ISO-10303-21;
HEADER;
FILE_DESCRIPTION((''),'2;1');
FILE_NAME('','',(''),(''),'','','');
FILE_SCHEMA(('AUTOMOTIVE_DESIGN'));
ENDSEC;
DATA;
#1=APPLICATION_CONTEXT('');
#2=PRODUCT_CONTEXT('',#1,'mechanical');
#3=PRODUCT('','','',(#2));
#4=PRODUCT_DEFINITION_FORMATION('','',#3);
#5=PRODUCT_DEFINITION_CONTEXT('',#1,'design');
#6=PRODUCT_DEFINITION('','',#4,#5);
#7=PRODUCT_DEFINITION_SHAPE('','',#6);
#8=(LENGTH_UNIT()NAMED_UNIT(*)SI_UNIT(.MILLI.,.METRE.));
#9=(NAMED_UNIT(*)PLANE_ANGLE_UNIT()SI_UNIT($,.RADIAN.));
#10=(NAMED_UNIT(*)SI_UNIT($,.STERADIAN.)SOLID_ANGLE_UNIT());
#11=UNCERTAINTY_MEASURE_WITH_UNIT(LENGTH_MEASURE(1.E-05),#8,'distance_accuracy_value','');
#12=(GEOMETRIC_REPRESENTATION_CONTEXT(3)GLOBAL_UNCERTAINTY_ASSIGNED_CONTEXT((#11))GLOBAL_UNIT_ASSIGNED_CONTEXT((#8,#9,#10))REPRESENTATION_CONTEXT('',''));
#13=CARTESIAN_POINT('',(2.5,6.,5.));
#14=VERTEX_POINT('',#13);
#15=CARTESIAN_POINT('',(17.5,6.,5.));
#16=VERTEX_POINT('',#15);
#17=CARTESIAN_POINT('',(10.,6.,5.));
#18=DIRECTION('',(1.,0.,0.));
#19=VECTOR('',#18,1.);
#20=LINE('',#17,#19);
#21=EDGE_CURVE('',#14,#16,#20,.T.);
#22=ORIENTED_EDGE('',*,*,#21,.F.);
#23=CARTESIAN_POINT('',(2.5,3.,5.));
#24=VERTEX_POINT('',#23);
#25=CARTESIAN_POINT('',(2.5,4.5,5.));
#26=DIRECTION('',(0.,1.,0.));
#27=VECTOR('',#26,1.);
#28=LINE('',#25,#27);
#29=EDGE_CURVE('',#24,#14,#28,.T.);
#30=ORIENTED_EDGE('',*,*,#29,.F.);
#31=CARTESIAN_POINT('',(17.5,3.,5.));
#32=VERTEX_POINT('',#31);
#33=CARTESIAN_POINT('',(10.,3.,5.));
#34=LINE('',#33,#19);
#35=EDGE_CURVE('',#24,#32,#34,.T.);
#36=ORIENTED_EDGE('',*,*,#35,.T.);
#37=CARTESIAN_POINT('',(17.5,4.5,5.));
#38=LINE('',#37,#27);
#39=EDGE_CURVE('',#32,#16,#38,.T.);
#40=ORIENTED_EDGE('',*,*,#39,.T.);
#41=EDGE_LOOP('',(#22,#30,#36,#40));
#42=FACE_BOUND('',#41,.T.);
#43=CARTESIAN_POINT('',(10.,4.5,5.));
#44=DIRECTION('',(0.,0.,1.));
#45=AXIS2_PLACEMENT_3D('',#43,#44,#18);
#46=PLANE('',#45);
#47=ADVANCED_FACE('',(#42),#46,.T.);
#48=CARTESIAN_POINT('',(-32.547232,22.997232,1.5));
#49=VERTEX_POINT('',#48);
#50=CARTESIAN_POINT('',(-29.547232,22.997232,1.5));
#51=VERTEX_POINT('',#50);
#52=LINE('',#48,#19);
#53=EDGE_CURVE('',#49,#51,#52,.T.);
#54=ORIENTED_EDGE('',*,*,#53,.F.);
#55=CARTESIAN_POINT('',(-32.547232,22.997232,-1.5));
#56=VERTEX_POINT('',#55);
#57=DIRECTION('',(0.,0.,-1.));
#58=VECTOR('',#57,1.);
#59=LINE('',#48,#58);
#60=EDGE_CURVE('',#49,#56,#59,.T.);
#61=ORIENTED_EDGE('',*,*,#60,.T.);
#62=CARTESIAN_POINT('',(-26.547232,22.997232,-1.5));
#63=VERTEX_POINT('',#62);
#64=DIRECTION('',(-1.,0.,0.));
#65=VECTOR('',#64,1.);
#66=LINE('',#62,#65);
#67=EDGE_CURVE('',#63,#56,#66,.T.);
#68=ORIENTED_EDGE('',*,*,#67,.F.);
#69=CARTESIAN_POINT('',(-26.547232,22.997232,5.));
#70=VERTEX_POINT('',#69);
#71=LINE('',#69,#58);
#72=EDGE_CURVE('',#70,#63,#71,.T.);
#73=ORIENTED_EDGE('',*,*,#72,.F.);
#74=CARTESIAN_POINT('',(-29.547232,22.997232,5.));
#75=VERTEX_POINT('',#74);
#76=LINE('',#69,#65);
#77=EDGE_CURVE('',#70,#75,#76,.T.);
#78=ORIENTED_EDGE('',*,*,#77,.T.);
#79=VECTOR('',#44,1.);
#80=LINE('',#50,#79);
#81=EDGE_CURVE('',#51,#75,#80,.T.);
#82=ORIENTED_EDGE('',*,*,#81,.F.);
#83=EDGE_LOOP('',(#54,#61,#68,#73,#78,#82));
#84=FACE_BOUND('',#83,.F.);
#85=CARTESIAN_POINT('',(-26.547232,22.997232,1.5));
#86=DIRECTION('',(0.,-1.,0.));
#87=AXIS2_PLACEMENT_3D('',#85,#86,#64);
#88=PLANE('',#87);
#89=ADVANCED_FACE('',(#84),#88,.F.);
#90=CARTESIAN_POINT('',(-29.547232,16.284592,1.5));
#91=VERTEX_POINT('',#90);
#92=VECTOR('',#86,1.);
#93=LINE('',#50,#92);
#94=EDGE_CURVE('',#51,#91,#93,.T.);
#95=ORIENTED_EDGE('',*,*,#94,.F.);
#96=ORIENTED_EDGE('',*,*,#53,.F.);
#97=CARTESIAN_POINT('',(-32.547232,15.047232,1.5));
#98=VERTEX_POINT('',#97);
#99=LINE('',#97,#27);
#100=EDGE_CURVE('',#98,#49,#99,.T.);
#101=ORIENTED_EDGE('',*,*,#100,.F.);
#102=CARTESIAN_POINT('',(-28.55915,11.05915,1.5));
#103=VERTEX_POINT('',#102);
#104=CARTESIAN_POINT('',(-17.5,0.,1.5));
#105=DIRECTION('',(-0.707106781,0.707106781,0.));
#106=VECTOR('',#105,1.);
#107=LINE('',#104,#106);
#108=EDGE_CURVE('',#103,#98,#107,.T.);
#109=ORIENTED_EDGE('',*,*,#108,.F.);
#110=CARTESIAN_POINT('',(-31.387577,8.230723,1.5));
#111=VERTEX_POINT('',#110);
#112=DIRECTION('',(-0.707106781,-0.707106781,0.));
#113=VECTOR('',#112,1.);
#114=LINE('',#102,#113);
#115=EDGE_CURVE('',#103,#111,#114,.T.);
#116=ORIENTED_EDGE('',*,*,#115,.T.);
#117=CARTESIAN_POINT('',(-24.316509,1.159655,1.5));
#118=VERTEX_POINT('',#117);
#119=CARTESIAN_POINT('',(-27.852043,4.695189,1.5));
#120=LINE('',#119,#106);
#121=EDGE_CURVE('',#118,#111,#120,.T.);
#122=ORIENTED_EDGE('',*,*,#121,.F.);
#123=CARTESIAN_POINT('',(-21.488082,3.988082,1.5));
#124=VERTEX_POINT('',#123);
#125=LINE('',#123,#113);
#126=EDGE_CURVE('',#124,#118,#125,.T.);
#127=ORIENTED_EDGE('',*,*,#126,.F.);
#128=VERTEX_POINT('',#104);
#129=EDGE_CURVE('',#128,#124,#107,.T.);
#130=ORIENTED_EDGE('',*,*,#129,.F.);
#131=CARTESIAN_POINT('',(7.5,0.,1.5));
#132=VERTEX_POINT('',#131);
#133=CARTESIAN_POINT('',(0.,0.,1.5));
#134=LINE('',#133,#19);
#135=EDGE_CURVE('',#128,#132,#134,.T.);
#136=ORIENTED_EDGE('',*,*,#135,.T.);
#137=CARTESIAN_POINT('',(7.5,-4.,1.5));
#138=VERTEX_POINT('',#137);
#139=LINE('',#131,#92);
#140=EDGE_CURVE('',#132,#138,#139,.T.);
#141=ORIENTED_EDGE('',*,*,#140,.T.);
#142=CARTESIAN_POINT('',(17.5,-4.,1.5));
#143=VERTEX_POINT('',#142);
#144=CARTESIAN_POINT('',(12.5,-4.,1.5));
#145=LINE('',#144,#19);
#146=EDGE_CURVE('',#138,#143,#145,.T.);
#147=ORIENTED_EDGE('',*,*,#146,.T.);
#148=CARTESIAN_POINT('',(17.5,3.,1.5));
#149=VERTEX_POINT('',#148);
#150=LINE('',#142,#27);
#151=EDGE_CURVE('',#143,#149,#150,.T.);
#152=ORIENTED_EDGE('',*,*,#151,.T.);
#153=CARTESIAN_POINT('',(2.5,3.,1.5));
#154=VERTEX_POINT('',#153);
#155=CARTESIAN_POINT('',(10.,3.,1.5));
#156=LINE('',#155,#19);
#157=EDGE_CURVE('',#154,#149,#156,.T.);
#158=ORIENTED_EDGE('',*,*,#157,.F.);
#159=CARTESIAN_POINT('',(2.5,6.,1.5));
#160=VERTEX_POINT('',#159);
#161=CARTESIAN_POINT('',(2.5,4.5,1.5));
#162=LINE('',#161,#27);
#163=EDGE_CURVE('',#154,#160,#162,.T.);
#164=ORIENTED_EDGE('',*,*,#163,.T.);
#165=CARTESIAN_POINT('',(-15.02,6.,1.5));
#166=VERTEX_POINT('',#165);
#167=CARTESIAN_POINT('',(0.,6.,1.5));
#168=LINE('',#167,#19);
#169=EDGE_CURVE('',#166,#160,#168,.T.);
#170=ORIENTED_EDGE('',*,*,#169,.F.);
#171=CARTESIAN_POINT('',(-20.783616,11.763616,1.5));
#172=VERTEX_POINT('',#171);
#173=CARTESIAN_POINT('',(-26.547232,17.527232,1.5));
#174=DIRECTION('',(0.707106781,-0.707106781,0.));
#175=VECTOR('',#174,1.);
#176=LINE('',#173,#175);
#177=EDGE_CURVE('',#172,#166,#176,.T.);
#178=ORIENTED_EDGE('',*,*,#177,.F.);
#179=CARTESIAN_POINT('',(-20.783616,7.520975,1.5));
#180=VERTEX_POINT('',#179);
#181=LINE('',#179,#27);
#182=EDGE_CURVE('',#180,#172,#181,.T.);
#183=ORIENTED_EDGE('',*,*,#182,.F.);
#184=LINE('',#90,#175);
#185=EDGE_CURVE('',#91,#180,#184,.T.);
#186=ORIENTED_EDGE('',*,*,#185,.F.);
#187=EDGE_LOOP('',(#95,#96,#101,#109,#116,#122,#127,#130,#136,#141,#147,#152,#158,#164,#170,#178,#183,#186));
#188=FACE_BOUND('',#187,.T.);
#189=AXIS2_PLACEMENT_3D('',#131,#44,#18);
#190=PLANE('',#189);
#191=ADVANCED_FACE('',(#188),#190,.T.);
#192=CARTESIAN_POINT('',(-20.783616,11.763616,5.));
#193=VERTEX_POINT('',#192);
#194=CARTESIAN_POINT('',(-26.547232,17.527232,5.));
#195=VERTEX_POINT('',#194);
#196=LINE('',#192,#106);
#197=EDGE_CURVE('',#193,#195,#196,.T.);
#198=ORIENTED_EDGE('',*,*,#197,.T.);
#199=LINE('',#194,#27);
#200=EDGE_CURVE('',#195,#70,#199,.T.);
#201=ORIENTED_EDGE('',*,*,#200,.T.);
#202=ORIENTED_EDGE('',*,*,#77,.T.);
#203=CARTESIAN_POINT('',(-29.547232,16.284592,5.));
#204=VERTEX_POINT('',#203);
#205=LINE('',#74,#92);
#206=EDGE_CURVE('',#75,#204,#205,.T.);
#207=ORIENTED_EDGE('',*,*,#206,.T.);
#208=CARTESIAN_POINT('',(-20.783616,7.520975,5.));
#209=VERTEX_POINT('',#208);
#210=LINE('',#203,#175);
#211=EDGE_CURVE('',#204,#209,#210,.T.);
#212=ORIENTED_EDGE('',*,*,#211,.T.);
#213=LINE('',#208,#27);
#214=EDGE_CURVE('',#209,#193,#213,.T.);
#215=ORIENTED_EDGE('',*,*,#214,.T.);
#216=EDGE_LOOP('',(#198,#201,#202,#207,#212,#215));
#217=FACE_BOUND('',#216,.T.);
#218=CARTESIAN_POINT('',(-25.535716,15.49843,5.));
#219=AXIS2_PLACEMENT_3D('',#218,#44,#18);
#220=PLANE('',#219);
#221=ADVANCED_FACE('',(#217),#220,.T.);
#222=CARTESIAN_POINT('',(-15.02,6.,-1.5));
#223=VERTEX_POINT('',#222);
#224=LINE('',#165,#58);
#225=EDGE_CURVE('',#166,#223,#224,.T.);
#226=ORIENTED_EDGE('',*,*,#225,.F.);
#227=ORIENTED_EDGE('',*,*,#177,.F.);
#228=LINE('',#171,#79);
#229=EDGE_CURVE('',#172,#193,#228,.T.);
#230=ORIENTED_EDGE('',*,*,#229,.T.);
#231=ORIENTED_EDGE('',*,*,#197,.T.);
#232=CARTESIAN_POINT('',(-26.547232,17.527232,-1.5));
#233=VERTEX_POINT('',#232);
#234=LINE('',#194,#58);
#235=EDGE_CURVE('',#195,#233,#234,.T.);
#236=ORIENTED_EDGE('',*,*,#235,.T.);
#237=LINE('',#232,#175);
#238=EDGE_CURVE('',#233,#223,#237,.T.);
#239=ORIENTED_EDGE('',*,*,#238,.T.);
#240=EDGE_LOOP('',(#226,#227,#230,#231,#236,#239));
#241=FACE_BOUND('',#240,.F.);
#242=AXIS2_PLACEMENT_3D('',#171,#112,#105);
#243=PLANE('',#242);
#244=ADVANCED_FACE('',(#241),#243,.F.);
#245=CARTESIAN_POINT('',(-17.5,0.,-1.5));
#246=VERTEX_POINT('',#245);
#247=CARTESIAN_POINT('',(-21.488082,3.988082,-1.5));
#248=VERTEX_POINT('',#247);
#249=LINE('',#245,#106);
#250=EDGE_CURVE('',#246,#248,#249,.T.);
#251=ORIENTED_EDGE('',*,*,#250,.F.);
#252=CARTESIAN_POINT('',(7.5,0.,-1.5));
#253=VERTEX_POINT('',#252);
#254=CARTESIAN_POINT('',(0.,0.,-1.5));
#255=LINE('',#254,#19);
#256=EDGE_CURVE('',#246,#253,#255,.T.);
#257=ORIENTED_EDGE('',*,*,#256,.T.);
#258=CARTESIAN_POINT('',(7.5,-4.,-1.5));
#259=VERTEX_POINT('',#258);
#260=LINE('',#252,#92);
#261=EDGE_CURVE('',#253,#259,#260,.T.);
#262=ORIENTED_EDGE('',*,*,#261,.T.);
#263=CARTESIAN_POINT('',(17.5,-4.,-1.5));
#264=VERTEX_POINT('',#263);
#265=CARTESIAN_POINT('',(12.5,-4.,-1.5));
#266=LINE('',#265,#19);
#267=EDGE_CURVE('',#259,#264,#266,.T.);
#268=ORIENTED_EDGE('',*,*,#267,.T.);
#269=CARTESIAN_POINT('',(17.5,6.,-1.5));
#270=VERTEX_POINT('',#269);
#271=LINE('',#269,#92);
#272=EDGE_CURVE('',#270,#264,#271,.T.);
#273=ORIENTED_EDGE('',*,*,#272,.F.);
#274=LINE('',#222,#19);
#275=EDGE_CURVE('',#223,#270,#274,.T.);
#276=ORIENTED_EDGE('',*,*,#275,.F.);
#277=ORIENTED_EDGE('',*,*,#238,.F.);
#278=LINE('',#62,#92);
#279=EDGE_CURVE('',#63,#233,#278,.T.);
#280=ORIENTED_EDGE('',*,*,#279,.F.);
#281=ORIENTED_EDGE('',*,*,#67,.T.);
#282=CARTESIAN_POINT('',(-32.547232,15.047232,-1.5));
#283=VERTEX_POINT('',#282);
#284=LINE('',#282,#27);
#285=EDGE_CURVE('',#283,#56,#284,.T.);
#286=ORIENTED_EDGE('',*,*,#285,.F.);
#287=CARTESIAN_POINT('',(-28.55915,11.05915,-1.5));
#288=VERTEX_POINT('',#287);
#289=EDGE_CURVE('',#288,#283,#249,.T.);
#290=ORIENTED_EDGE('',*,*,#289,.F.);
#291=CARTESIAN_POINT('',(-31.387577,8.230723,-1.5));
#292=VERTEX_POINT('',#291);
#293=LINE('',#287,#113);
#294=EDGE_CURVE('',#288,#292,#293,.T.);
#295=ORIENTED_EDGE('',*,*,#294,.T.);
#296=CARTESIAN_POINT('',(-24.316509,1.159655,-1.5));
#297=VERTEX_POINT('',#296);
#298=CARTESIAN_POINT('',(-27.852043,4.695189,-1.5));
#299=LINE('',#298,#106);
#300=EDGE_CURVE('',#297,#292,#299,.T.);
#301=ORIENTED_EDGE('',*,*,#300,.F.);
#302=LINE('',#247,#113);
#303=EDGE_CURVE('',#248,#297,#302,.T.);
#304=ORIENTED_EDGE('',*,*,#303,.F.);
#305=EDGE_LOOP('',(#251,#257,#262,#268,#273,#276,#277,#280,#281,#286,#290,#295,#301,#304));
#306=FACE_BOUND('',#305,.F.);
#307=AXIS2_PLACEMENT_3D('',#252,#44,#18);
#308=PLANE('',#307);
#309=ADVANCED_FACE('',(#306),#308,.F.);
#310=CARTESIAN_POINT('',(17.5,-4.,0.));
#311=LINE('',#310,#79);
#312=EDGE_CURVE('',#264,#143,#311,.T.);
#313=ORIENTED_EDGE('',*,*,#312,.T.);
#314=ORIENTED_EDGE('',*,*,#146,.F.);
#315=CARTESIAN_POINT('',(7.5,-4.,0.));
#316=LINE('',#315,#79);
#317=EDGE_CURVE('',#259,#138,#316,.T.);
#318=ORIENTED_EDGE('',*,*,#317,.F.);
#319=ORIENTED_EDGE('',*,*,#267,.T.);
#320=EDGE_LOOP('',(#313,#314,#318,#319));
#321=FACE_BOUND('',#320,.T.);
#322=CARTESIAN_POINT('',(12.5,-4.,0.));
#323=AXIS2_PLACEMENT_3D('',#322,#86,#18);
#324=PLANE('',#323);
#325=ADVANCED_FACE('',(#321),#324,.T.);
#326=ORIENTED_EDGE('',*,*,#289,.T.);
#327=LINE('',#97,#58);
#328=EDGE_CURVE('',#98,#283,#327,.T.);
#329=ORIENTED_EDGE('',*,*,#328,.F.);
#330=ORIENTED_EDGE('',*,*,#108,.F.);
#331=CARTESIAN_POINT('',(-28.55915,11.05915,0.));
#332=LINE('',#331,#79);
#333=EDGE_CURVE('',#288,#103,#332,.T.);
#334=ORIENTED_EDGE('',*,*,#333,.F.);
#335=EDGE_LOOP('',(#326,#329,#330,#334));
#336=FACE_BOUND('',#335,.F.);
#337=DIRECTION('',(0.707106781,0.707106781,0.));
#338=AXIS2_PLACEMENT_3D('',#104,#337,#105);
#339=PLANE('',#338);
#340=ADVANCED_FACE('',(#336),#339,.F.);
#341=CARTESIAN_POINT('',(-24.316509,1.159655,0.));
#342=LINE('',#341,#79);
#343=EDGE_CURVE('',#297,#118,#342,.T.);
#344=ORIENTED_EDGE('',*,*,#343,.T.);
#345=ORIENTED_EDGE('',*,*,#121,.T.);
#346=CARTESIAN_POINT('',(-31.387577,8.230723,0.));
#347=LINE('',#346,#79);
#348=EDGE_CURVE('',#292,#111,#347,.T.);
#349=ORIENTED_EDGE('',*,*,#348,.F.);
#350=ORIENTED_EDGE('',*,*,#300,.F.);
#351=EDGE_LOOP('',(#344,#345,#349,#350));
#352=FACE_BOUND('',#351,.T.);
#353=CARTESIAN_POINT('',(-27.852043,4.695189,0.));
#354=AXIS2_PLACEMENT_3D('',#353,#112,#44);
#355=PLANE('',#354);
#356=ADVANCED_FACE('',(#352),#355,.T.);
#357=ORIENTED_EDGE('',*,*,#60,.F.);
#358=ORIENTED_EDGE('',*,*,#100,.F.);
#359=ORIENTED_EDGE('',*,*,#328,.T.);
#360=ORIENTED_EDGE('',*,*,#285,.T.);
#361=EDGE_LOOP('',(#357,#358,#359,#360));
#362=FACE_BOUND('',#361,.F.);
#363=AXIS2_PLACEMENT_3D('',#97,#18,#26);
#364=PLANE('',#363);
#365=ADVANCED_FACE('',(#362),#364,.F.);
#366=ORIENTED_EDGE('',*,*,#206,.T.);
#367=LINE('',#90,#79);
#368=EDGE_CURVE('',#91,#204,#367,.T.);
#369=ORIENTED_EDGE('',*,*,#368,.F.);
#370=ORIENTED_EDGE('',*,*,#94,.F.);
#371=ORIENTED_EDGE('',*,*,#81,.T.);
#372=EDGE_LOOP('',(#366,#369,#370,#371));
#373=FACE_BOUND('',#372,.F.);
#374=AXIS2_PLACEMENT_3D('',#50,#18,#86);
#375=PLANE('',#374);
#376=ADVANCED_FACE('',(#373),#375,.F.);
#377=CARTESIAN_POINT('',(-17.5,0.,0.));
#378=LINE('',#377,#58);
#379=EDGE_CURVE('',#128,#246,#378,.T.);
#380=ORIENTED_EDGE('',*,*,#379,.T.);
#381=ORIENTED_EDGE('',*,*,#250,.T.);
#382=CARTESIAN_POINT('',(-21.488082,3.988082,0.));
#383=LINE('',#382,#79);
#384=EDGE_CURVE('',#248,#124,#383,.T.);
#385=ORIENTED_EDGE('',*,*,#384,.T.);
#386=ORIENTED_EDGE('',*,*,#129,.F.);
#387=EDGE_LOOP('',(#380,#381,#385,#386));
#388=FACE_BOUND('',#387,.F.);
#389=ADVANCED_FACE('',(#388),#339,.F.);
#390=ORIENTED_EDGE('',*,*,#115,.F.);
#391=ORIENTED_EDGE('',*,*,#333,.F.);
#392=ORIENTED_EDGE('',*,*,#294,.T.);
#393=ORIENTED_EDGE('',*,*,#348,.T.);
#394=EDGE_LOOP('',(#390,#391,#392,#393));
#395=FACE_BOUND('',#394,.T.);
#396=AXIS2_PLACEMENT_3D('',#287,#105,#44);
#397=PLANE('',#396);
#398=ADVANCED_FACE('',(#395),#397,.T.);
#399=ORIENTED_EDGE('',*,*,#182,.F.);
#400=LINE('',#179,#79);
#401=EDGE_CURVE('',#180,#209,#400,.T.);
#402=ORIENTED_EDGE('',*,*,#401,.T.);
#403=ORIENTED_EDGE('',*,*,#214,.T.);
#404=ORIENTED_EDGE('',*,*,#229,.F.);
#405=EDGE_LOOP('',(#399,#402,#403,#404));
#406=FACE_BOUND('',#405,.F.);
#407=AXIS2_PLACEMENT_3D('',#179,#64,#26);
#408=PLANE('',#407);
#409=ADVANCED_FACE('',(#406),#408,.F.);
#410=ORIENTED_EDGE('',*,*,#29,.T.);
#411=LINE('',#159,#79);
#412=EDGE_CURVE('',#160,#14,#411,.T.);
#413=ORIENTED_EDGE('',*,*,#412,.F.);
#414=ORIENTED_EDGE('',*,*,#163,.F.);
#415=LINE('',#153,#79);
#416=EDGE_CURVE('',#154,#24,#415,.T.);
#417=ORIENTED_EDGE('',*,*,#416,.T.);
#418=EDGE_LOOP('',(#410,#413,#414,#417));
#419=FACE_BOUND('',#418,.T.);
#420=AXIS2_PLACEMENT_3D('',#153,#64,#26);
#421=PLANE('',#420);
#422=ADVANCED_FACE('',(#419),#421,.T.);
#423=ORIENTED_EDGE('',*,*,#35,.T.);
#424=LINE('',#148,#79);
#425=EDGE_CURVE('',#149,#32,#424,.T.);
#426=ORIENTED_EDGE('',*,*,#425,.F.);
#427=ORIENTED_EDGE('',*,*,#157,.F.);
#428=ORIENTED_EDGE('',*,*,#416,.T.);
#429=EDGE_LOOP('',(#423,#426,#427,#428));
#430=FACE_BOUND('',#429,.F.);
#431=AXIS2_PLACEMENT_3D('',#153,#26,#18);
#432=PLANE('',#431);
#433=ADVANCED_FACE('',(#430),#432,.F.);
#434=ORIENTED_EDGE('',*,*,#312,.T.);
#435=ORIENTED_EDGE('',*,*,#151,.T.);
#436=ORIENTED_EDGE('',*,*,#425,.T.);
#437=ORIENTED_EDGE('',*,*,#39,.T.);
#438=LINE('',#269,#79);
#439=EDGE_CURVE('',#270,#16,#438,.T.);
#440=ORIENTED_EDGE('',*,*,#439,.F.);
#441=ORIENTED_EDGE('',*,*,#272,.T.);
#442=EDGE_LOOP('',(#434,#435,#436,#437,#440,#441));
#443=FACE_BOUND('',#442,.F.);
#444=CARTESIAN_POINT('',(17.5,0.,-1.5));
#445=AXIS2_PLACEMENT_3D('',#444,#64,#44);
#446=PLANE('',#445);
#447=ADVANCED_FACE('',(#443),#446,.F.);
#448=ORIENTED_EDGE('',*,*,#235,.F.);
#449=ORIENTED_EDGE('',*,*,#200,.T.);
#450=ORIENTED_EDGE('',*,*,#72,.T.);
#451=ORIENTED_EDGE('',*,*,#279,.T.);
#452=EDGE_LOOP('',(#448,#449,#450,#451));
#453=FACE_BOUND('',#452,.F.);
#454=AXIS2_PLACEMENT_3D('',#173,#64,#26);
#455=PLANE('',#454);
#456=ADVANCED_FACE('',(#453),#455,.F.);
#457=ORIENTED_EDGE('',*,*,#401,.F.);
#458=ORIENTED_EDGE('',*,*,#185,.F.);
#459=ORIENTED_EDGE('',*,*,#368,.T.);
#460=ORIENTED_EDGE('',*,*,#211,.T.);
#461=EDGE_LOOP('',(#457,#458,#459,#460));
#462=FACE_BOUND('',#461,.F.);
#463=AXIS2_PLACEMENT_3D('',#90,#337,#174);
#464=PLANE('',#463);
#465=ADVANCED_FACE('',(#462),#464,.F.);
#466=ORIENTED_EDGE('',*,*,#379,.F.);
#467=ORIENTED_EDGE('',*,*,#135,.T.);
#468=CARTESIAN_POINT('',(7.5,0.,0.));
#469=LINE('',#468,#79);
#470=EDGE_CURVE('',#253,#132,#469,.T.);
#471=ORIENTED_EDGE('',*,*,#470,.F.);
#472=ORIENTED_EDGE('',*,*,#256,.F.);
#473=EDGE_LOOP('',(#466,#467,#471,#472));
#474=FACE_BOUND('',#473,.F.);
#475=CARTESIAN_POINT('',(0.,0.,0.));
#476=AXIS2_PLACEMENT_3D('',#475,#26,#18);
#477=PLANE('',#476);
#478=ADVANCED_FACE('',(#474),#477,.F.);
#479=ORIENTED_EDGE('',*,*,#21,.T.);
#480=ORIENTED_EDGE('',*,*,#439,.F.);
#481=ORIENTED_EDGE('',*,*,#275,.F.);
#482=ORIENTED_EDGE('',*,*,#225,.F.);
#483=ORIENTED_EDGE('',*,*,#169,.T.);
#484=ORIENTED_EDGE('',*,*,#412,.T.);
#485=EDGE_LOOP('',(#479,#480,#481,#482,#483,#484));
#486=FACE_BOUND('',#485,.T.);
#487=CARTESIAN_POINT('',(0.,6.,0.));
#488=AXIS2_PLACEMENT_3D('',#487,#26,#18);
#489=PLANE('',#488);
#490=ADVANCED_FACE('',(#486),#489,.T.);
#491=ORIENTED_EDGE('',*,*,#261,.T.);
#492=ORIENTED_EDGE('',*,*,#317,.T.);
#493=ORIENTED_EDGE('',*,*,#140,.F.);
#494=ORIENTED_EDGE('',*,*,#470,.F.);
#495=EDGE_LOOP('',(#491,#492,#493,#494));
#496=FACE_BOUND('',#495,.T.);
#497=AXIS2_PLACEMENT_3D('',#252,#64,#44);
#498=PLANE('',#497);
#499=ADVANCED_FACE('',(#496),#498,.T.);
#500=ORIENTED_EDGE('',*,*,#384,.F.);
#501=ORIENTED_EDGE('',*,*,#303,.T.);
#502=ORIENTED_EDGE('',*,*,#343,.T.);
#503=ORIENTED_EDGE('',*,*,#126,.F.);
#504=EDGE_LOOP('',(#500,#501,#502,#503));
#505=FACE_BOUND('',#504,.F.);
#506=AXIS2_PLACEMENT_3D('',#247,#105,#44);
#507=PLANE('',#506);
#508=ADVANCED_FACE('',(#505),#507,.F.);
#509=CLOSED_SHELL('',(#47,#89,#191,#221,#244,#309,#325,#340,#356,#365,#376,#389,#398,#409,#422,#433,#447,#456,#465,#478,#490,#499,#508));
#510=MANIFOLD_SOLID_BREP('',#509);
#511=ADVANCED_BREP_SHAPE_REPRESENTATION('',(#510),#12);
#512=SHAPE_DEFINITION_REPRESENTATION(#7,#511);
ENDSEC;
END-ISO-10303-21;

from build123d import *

# Parameters (mm, degrees)
SKETCH1_W                = 35
SKETCH1_H                = 3
BOSS_EXTRUDE1_DEPTH      = 6
BOSS_EXTRUDE2_DEPTH      = 3
SKETCH3_W                = 15
SKETCH3_H                = 3
BOSS_EXTRUDE3_DEPTH      = 3.5
BOSS_EXTRUDE3_DEPTH_BACK = 3
SKETCH4_W                = 10
SKETCH4_H                = 3
BOSS_EXTRUDE4_DEPTH      = 4
SKETCH5_W                = 3
SKETCH5_H                = 10
BOSS_EXTRUDE5_DEPTH      = 4


with BuildPart() as part:
    # Sketch1 → Boss-Extrude1 (new body)
    with BuildSketch(Plane(origin=(0, 0, 0), x_dir=(1, 0, 0), z_dir=(0, 1, 0))):
        Rectangle(SKETCH1_W, SKETCH1_H)
    extrude(amount=BOSS_EXTRUDE1_DEPTH)

    # Sketch2 → Boss-Extrude2 (add)
    with BuildSketch(Plane.XY.offset(1.5)):
        Polygon((-17.5, 0), (-32.547232304, 15.047232304), (-32.547232304, 22.997232304), (-26.547232304, 22.997232304), (-26.547232304, 17.527232304), (-15.02, 6), (-17.5, 6), align=None)
    extrude(amount=-BOSS_EXTRUDE2_DEPTH)

    # Sketch3 → Boss-Extrude3 (add, two sides)
    with BuildSketch(Plane.XY.offset(1.5)) as boss_extrude3_sk:
        Polygon((-26.547232304, 22.997232304), (-29.547232304, 22.997232304), (-29.547232304, 16.284591617), (-20.783616152, 7.520975465), (-20.783616152, 11.763616152), (-26.547232304, 17.527232304), align=None)
        with Locations((10, 4.5)):
            Rectangle(SKETCH3_W, SKETCH3_H)
    extrude(amount=BOSS_EXTRUDE3_DEPTH)
    extrude(boss_extrude3_sk.sketch, amount=-BOSS_EXTRUDE3_DEPTH_BACK)

    # Sketch4 → Boss-Extrude4 (add)
    with BuildSketch(Plane.XZ):
        with Locations((12.5, 0)):
            Rectangle(SKETCH4_W, SKETCH4_H)
    extrude(amount=BOSS_EXTRUDE4_DEPTH)

    # Sketch5 → Boss-Extrude5 (add)
    with BuildSketch(Plane(origin=(-8.75, -8.75, 0), x_dir=(0, 0, 1), z_dir=(-0.707106781, -0.707106781, 0))):
        with Locations((0, 23.014368671)):
            Rectangle(SKETCH5_W, SKETCH5_H)
    extrude(amount=BOSS_EXTRUDE5_DEPTH)


solid = part.part
